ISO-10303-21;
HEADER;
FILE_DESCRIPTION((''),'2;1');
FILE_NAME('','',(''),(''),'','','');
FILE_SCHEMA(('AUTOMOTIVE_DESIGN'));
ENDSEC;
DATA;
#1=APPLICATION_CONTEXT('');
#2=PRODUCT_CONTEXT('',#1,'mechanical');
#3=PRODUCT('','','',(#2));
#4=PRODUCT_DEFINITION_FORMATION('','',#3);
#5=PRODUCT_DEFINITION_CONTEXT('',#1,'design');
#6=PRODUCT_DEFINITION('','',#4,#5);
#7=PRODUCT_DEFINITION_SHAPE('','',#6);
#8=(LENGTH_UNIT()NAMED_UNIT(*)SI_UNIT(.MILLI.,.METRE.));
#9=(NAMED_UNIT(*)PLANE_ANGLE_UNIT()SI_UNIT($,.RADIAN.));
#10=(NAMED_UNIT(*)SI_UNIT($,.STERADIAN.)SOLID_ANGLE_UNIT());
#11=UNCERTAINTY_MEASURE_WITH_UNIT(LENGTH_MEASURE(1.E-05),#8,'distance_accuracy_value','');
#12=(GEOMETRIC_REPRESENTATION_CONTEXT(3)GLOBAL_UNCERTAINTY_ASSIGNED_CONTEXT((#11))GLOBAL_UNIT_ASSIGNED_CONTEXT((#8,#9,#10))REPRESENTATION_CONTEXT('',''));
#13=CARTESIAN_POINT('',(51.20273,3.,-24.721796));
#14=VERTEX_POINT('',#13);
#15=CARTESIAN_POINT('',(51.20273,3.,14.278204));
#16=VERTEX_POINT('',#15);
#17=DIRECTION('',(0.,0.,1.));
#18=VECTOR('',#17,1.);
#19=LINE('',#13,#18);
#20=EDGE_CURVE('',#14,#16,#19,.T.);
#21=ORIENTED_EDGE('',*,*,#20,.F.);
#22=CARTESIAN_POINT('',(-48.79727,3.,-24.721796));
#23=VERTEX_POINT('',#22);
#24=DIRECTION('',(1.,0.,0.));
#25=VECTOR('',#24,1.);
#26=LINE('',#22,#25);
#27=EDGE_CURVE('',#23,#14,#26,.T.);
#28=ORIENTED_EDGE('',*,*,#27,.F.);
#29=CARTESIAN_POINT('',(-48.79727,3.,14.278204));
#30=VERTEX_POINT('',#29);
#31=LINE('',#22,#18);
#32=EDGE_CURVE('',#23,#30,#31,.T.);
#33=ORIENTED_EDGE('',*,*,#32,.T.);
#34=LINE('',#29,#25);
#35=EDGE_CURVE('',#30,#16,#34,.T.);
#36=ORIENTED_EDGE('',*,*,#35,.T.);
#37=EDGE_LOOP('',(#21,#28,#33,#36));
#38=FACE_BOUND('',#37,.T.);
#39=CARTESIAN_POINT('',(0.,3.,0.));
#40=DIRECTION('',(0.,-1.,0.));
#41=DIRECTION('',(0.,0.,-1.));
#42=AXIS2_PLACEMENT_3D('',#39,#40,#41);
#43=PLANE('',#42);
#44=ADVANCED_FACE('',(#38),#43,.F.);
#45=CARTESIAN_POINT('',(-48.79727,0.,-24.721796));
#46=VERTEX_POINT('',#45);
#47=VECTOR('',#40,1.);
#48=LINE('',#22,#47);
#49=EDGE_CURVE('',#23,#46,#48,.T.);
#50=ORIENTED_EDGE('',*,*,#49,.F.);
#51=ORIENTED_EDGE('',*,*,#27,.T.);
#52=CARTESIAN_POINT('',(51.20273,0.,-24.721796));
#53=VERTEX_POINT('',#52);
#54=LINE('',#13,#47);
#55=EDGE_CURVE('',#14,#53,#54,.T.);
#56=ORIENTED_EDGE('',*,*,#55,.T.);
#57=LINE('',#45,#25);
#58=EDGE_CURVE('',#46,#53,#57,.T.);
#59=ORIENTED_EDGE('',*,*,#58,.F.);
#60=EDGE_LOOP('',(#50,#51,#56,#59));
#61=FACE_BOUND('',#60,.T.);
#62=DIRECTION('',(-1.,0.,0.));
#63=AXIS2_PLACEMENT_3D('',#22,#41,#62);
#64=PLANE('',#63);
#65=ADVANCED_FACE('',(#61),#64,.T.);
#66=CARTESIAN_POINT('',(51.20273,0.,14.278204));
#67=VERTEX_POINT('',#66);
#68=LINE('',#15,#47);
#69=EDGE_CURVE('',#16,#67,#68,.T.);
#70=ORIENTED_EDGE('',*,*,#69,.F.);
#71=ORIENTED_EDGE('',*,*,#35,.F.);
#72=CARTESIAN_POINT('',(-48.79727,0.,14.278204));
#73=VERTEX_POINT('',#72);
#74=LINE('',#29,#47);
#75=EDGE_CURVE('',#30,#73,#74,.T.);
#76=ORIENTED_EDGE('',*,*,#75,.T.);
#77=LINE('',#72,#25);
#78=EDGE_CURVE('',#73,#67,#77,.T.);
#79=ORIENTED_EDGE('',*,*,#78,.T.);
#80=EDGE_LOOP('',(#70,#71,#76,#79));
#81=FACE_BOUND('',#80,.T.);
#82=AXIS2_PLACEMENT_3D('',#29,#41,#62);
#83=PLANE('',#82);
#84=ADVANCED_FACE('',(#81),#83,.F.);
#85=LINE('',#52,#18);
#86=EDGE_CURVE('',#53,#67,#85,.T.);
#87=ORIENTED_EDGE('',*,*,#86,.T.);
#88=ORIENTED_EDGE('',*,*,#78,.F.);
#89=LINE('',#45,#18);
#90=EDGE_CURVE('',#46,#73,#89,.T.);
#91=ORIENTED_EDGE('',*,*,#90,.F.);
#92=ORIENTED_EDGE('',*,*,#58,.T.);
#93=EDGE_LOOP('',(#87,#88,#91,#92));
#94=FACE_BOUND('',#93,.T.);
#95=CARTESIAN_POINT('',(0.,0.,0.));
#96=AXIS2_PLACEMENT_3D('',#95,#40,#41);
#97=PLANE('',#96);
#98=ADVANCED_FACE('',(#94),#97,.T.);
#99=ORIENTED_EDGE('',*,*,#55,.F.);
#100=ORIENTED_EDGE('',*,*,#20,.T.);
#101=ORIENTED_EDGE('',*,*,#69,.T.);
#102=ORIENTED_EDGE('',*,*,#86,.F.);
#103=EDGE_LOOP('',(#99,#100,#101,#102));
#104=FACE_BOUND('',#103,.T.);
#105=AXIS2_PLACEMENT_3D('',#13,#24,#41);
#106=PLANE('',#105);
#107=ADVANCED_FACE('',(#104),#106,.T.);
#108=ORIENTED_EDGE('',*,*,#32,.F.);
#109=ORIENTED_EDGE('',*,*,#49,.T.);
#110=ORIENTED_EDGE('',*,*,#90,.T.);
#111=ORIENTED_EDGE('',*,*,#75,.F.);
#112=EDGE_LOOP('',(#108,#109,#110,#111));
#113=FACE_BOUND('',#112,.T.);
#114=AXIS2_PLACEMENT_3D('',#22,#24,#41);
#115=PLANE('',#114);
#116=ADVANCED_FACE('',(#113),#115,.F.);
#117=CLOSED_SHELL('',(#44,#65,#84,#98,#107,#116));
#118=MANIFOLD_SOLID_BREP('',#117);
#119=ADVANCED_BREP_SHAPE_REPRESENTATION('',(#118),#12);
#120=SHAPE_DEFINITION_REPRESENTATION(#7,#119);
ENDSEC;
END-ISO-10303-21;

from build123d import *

# Parameters (mm, degrees)
SKETCH_1_W      = 100
SKETCH_1_H      = 39
EXTRUDE_1_DEPTH = 3


with BuildPart() as part:
    # 草图1 → 凸台-拉伸1 (new body)
    with BuildSketch(Plane(origin=(0, 0, 0), x_dir=(1, 0, 0), z_dir=(0, 1, 0))):
        with Locations((1.202730253, 5.221795601)):
            Rectangle(SKETCH_1_W, SKETCH_1_H)
    extrude(amount=EXTRUDE_1_DEPTH)


solid = part.part
